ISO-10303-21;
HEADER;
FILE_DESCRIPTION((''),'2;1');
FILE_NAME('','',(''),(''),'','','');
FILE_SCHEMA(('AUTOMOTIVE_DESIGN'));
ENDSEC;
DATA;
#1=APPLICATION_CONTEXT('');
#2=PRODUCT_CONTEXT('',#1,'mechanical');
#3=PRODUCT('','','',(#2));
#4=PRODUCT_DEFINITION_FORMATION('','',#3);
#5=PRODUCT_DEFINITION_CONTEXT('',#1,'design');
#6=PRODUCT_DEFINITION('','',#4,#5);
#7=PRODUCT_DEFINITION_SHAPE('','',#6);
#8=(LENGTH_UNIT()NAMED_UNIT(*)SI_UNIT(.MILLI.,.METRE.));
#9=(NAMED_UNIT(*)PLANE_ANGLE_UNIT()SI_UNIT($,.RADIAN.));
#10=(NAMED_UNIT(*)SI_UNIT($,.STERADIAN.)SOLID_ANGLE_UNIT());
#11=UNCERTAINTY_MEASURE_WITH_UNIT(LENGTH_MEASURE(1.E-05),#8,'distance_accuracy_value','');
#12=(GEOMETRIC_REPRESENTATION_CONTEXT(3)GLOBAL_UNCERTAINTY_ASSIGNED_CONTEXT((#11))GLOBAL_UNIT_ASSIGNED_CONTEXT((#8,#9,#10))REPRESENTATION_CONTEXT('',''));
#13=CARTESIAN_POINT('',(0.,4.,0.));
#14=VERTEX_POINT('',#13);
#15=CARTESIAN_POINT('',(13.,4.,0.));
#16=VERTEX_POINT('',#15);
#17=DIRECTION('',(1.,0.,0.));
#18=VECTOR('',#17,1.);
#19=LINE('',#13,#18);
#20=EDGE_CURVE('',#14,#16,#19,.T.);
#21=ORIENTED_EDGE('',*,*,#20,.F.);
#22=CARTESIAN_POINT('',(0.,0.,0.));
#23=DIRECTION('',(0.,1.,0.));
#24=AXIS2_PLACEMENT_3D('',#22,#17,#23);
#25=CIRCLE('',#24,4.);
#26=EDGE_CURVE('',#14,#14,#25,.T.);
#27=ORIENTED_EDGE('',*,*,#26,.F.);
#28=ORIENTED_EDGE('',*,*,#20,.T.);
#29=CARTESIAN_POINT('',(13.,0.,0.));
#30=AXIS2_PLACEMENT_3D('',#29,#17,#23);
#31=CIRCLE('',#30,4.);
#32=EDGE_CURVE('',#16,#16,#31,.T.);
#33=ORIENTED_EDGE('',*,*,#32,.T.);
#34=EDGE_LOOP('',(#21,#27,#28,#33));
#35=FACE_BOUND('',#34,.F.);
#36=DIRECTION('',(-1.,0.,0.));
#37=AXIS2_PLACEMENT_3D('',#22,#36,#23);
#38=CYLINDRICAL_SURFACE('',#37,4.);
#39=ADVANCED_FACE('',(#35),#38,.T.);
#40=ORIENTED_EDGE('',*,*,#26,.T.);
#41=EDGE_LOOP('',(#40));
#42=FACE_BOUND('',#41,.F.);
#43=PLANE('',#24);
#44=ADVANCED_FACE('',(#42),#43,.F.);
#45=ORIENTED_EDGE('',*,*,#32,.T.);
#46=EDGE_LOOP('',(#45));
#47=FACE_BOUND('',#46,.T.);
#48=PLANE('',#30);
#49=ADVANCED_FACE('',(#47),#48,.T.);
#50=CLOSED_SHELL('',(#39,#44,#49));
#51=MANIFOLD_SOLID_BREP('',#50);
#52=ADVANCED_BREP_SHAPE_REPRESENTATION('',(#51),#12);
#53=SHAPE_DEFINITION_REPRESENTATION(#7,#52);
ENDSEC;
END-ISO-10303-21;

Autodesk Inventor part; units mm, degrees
ref_plane "YZ Plane" through (0, 0, 0) normal (1, 0, 0) x (0, 1, 0)
ref_plane "XZ Plane" through (0, 0, 0) normal (0, 1, 0) x (-1, 0, 0)
ref_plane "XY Plane" through (0, 0, 0) normal (0, 0, 1) x (1, 0, 0)
sketch "スケッチ1" plane through (0, 0, 0) normal (1, 0, 0) x (0, 1, 0)
  circle A0 centre (0, 0) radius 4
  dimension "d0" = 8
extrude "押し出し1" add sketch "スケッチ1" along normal blind 13
properties part number "roller-hand-v2-Shaft-link3" material "アルミニウム 6061"
